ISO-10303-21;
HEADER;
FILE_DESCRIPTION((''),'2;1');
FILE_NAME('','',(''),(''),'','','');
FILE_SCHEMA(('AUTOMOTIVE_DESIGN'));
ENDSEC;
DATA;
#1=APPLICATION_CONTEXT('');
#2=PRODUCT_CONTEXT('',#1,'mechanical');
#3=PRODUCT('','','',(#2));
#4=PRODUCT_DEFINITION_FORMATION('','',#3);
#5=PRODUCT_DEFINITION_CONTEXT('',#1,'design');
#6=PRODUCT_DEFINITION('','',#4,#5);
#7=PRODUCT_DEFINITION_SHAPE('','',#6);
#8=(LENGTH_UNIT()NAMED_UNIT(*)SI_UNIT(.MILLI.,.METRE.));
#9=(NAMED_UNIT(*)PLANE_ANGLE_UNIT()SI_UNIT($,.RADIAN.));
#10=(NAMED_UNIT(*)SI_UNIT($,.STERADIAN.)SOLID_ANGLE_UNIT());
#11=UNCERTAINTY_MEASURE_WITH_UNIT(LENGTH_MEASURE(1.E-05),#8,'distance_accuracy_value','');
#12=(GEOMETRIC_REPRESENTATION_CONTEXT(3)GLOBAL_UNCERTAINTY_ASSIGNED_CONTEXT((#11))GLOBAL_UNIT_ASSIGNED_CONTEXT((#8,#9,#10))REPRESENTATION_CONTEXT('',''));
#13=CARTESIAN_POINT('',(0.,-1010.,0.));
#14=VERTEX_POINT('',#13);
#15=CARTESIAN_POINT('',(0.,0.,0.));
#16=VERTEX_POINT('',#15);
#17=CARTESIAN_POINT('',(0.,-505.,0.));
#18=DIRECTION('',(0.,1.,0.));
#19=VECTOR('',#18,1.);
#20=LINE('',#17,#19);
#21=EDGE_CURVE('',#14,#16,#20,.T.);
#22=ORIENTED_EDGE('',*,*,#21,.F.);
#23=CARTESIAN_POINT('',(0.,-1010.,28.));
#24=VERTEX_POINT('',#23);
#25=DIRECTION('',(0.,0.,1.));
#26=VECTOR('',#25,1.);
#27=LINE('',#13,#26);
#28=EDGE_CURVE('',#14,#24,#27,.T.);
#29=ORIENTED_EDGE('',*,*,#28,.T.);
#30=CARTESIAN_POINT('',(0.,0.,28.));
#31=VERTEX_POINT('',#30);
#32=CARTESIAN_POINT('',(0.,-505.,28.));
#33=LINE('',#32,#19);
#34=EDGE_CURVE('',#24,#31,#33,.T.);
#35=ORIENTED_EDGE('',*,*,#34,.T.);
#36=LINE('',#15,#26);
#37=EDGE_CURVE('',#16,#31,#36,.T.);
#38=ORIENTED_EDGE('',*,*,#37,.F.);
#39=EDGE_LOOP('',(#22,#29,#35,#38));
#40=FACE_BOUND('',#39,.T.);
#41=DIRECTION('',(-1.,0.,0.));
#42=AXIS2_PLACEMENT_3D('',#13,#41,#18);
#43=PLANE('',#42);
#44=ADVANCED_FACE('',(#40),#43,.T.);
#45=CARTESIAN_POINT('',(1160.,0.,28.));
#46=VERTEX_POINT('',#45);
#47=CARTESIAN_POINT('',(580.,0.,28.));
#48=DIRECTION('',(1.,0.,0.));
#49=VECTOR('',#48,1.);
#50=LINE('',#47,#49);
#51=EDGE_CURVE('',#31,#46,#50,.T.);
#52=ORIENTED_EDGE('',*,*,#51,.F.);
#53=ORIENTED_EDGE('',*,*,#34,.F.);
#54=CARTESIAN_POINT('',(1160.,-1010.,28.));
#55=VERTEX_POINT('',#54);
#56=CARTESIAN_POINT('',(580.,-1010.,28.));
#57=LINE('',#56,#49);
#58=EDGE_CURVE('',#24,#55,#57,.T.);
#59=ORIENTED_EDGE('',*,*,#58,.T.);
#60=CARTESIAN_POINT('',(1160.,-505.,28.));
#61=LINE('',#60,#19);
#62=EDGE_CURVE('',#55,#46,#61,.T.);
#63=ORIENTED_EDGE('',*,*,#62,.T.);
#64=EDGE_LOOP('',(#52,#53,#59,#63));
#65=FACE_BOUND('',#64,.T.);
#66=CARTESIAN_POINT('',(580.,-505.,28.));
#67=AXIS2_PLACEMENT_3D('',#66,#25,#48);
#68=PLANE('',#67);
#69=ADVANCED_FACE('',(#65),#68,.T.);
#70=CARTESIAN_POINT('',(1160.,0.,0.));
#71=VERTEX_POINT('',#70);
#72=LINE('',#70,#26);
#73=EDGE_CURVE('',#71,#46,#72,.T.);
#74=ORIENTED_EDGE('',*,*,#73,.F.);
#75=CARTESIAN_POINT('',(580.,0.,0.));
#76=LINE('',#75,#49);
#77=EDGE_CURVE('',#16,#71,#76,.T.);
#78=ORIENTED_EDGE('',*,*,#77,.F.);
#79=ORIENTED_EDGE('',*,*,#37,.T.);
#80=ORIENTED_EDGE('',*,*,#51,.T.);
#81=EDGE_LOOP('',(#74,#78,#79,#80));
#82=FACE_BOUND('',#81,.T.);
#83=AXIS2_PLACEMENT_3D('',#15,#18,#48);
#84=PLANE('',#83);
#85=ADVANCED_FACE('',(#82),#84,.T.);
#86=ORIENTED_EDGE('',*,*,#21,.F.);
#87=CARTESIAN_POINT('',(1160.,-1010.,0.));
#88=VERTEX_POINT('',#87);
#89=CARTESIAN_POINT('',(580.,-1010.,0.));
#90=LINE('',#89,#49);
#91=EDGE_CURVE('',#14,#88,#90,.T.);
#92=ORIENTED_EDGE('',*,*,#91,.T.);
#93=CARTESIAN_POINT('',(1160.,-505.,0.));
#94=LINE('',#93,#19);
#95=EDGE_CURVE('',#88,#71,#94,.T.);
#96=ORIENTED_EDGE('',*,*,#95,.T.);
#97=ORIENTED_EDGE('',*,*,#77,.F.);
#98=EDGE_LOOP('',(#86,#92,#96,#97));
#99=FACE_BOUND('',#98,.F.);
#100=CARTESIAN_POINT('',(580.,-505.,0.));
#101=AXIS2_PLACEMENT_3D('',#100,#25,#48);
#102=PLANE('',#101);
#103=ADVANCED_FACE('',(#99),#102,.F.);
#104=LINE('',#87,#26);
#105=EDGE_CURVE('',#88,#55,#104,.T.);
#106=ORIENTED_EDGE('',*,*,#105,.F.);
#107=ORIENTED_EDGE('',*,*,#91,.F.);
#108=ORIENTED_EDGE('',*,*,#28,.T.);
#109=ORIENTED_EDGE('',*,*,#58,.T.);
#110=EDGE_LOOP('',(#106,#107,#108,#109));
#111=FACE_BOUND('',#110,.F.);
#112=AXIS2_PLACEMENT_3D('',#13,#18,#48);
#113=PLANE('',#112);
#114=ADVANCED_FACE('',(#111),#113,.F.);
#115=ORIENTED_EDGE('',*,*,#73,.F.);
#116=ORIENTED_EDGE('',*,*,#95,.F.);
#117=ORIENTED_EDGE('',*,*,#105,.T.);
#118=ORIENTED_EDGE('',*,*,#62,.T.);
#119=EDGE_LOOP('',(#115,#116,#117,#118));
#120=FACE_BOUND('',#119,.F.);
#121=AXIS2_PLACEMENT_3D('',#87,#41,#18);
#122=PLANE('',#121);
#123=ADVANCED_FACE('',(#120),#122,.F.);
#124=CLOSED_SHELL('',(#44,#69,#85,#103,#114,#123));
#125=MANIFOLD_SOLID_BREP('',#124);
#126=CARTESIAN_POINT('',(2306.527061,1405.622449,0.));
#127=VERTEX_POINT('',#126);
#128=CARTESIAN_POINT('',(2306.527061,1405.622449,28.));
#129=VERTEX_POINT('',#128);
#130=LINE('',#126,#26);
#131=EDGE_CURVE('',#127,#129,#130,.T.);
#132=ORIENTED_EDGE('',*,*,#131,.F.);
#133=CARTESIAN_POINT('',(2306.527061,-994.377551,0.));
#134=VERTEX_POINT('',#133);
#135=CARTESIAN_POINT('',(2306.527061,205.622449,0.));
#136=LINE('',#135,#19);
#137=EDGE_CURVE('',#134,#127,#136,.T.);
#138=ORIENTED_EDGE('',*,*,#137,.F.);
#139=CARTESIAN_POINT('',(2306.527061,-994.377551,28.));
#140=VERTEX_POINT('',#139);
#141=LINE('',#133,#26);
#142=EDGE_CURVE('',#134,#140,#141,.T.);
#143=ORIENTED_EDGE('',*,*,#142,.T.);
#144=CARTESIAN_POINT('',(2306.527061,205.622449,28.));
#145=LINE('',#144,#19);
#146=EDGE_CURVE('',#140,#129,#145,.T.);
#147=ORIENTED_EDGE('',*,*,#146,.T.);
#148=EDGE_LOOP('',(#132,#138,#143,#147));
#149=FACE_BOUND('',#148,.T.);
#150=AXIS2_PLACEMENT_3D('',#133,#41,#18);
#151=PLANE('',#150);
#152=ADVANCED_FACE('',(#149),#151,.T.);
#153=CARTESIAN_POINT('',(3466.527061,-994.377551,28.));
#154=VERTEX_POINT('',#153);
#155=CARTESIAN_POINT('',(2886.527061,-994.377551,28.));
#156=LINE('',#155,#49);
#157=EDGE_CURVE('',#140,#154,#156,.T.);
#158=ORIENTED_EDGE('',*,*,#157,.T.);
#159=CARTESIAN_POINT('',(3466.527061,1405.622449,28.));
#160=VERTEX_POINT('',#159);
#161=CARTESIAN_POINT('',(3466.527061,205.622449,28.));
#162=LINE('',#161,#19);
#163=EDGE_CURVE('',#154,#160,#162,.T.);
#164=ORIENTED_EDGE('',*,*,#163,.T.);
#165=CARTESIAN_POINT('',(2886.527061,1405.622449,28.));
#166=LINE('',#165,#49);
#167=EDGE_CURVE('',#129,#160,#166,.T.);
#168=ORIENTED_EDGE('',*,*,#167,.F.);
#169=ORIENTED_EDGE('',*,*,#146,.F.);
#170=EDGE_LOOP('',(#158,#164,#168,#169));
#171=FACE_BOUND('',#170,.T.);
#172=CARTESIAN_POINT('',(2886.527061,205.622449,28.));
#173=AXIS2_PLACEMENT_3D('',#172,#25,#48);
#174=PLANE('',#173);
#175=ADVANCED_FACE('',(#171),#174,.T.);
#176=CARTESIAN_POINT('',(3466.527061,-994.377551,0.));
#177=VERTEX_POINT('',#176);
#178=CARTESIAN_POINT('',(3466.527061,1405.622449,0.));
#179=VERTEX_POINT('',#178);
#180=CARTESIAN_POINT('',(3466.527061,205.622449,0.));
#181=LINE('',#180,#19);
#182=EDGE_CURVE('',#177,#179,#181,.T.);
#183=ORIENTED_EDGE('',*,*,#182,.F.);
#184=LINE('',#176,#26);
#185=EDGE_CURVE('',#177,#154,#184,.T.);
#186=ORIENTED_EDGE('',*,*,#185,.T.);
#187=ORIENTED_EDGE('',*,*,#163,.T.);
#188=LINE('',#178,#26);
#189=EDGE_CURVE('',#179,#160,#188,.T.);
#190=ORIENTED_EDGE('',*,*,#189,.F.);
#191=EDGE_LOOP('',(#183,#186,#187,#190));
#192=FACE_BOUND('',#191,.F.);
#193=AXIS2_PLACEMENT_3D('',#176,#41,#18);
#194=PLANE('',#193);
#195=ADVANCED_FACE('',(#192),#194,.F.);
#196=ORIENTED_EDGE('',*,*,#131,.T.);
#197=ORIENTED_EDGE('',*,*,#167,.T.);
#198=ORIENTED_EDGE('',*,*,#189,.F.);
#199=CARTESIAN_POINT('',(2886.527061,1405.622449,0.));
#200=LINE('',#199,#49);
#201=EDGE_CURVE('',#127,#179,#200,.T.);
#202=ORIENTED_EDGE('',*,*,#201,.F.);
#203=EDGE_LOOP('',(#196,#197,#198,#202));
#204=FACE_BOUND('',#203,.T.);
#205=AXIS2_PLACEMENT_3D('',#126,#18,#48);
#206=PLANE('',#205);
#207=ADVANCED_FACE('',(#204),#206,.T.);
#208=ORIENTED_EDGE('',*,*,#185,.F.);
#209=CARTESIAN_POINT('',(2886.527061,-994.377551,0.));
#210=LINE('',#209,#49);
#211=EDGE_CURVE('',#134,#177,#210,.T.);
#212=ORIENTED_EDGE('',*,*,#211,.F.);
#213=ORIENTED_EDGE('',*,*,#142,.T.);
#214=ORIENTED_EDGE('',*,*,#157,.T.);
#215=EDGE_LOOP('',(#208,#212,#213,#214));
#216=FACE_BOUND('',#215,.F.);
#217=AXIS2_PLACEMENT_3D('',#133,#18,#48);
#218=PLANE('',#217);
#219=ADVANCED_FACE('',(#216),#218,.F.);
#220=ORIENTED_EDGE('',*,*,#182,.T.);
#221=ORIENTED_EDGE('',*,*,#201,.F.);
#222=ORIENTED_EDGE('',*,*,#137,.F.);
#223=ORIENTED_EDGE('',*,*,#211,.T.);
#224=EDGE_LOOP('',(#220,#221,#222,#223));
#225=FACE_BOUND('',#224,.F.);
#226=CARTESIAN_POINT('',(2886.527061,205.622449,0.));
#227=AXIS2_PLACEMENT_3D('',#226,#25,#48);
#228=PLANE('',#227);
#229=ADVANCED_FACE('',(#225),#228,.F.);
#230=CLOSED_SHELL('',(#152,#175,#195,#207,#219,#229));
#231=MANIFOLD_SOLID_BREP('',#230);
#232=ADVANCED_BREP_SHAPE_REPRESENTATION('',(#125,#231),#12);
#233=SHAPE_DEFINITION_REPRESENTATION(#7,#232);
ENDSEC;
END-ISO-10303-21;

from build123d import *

# Parameters (mm, degrees)
F0_W     = 1160
F0_H     = 1010
F1_W     = 1160
F1_H     = 2400
F2_DEPTH = 28


with BuildPart() as f2:
    # F0 (on Top) + F1 (on Top) → F2 (new body)
    with BuildSketch(Plane.XY):
        with Locations((580, -505)):
            Rectangle(F0_W, F0_H)
    with BuildSketch(Plane.XY):
        with Locations((2886.527061, 205.622449)):
            Rectangle(F1_W, F1_H)
    extrude(amount=F2_DEPTH)


solid = f2.part
